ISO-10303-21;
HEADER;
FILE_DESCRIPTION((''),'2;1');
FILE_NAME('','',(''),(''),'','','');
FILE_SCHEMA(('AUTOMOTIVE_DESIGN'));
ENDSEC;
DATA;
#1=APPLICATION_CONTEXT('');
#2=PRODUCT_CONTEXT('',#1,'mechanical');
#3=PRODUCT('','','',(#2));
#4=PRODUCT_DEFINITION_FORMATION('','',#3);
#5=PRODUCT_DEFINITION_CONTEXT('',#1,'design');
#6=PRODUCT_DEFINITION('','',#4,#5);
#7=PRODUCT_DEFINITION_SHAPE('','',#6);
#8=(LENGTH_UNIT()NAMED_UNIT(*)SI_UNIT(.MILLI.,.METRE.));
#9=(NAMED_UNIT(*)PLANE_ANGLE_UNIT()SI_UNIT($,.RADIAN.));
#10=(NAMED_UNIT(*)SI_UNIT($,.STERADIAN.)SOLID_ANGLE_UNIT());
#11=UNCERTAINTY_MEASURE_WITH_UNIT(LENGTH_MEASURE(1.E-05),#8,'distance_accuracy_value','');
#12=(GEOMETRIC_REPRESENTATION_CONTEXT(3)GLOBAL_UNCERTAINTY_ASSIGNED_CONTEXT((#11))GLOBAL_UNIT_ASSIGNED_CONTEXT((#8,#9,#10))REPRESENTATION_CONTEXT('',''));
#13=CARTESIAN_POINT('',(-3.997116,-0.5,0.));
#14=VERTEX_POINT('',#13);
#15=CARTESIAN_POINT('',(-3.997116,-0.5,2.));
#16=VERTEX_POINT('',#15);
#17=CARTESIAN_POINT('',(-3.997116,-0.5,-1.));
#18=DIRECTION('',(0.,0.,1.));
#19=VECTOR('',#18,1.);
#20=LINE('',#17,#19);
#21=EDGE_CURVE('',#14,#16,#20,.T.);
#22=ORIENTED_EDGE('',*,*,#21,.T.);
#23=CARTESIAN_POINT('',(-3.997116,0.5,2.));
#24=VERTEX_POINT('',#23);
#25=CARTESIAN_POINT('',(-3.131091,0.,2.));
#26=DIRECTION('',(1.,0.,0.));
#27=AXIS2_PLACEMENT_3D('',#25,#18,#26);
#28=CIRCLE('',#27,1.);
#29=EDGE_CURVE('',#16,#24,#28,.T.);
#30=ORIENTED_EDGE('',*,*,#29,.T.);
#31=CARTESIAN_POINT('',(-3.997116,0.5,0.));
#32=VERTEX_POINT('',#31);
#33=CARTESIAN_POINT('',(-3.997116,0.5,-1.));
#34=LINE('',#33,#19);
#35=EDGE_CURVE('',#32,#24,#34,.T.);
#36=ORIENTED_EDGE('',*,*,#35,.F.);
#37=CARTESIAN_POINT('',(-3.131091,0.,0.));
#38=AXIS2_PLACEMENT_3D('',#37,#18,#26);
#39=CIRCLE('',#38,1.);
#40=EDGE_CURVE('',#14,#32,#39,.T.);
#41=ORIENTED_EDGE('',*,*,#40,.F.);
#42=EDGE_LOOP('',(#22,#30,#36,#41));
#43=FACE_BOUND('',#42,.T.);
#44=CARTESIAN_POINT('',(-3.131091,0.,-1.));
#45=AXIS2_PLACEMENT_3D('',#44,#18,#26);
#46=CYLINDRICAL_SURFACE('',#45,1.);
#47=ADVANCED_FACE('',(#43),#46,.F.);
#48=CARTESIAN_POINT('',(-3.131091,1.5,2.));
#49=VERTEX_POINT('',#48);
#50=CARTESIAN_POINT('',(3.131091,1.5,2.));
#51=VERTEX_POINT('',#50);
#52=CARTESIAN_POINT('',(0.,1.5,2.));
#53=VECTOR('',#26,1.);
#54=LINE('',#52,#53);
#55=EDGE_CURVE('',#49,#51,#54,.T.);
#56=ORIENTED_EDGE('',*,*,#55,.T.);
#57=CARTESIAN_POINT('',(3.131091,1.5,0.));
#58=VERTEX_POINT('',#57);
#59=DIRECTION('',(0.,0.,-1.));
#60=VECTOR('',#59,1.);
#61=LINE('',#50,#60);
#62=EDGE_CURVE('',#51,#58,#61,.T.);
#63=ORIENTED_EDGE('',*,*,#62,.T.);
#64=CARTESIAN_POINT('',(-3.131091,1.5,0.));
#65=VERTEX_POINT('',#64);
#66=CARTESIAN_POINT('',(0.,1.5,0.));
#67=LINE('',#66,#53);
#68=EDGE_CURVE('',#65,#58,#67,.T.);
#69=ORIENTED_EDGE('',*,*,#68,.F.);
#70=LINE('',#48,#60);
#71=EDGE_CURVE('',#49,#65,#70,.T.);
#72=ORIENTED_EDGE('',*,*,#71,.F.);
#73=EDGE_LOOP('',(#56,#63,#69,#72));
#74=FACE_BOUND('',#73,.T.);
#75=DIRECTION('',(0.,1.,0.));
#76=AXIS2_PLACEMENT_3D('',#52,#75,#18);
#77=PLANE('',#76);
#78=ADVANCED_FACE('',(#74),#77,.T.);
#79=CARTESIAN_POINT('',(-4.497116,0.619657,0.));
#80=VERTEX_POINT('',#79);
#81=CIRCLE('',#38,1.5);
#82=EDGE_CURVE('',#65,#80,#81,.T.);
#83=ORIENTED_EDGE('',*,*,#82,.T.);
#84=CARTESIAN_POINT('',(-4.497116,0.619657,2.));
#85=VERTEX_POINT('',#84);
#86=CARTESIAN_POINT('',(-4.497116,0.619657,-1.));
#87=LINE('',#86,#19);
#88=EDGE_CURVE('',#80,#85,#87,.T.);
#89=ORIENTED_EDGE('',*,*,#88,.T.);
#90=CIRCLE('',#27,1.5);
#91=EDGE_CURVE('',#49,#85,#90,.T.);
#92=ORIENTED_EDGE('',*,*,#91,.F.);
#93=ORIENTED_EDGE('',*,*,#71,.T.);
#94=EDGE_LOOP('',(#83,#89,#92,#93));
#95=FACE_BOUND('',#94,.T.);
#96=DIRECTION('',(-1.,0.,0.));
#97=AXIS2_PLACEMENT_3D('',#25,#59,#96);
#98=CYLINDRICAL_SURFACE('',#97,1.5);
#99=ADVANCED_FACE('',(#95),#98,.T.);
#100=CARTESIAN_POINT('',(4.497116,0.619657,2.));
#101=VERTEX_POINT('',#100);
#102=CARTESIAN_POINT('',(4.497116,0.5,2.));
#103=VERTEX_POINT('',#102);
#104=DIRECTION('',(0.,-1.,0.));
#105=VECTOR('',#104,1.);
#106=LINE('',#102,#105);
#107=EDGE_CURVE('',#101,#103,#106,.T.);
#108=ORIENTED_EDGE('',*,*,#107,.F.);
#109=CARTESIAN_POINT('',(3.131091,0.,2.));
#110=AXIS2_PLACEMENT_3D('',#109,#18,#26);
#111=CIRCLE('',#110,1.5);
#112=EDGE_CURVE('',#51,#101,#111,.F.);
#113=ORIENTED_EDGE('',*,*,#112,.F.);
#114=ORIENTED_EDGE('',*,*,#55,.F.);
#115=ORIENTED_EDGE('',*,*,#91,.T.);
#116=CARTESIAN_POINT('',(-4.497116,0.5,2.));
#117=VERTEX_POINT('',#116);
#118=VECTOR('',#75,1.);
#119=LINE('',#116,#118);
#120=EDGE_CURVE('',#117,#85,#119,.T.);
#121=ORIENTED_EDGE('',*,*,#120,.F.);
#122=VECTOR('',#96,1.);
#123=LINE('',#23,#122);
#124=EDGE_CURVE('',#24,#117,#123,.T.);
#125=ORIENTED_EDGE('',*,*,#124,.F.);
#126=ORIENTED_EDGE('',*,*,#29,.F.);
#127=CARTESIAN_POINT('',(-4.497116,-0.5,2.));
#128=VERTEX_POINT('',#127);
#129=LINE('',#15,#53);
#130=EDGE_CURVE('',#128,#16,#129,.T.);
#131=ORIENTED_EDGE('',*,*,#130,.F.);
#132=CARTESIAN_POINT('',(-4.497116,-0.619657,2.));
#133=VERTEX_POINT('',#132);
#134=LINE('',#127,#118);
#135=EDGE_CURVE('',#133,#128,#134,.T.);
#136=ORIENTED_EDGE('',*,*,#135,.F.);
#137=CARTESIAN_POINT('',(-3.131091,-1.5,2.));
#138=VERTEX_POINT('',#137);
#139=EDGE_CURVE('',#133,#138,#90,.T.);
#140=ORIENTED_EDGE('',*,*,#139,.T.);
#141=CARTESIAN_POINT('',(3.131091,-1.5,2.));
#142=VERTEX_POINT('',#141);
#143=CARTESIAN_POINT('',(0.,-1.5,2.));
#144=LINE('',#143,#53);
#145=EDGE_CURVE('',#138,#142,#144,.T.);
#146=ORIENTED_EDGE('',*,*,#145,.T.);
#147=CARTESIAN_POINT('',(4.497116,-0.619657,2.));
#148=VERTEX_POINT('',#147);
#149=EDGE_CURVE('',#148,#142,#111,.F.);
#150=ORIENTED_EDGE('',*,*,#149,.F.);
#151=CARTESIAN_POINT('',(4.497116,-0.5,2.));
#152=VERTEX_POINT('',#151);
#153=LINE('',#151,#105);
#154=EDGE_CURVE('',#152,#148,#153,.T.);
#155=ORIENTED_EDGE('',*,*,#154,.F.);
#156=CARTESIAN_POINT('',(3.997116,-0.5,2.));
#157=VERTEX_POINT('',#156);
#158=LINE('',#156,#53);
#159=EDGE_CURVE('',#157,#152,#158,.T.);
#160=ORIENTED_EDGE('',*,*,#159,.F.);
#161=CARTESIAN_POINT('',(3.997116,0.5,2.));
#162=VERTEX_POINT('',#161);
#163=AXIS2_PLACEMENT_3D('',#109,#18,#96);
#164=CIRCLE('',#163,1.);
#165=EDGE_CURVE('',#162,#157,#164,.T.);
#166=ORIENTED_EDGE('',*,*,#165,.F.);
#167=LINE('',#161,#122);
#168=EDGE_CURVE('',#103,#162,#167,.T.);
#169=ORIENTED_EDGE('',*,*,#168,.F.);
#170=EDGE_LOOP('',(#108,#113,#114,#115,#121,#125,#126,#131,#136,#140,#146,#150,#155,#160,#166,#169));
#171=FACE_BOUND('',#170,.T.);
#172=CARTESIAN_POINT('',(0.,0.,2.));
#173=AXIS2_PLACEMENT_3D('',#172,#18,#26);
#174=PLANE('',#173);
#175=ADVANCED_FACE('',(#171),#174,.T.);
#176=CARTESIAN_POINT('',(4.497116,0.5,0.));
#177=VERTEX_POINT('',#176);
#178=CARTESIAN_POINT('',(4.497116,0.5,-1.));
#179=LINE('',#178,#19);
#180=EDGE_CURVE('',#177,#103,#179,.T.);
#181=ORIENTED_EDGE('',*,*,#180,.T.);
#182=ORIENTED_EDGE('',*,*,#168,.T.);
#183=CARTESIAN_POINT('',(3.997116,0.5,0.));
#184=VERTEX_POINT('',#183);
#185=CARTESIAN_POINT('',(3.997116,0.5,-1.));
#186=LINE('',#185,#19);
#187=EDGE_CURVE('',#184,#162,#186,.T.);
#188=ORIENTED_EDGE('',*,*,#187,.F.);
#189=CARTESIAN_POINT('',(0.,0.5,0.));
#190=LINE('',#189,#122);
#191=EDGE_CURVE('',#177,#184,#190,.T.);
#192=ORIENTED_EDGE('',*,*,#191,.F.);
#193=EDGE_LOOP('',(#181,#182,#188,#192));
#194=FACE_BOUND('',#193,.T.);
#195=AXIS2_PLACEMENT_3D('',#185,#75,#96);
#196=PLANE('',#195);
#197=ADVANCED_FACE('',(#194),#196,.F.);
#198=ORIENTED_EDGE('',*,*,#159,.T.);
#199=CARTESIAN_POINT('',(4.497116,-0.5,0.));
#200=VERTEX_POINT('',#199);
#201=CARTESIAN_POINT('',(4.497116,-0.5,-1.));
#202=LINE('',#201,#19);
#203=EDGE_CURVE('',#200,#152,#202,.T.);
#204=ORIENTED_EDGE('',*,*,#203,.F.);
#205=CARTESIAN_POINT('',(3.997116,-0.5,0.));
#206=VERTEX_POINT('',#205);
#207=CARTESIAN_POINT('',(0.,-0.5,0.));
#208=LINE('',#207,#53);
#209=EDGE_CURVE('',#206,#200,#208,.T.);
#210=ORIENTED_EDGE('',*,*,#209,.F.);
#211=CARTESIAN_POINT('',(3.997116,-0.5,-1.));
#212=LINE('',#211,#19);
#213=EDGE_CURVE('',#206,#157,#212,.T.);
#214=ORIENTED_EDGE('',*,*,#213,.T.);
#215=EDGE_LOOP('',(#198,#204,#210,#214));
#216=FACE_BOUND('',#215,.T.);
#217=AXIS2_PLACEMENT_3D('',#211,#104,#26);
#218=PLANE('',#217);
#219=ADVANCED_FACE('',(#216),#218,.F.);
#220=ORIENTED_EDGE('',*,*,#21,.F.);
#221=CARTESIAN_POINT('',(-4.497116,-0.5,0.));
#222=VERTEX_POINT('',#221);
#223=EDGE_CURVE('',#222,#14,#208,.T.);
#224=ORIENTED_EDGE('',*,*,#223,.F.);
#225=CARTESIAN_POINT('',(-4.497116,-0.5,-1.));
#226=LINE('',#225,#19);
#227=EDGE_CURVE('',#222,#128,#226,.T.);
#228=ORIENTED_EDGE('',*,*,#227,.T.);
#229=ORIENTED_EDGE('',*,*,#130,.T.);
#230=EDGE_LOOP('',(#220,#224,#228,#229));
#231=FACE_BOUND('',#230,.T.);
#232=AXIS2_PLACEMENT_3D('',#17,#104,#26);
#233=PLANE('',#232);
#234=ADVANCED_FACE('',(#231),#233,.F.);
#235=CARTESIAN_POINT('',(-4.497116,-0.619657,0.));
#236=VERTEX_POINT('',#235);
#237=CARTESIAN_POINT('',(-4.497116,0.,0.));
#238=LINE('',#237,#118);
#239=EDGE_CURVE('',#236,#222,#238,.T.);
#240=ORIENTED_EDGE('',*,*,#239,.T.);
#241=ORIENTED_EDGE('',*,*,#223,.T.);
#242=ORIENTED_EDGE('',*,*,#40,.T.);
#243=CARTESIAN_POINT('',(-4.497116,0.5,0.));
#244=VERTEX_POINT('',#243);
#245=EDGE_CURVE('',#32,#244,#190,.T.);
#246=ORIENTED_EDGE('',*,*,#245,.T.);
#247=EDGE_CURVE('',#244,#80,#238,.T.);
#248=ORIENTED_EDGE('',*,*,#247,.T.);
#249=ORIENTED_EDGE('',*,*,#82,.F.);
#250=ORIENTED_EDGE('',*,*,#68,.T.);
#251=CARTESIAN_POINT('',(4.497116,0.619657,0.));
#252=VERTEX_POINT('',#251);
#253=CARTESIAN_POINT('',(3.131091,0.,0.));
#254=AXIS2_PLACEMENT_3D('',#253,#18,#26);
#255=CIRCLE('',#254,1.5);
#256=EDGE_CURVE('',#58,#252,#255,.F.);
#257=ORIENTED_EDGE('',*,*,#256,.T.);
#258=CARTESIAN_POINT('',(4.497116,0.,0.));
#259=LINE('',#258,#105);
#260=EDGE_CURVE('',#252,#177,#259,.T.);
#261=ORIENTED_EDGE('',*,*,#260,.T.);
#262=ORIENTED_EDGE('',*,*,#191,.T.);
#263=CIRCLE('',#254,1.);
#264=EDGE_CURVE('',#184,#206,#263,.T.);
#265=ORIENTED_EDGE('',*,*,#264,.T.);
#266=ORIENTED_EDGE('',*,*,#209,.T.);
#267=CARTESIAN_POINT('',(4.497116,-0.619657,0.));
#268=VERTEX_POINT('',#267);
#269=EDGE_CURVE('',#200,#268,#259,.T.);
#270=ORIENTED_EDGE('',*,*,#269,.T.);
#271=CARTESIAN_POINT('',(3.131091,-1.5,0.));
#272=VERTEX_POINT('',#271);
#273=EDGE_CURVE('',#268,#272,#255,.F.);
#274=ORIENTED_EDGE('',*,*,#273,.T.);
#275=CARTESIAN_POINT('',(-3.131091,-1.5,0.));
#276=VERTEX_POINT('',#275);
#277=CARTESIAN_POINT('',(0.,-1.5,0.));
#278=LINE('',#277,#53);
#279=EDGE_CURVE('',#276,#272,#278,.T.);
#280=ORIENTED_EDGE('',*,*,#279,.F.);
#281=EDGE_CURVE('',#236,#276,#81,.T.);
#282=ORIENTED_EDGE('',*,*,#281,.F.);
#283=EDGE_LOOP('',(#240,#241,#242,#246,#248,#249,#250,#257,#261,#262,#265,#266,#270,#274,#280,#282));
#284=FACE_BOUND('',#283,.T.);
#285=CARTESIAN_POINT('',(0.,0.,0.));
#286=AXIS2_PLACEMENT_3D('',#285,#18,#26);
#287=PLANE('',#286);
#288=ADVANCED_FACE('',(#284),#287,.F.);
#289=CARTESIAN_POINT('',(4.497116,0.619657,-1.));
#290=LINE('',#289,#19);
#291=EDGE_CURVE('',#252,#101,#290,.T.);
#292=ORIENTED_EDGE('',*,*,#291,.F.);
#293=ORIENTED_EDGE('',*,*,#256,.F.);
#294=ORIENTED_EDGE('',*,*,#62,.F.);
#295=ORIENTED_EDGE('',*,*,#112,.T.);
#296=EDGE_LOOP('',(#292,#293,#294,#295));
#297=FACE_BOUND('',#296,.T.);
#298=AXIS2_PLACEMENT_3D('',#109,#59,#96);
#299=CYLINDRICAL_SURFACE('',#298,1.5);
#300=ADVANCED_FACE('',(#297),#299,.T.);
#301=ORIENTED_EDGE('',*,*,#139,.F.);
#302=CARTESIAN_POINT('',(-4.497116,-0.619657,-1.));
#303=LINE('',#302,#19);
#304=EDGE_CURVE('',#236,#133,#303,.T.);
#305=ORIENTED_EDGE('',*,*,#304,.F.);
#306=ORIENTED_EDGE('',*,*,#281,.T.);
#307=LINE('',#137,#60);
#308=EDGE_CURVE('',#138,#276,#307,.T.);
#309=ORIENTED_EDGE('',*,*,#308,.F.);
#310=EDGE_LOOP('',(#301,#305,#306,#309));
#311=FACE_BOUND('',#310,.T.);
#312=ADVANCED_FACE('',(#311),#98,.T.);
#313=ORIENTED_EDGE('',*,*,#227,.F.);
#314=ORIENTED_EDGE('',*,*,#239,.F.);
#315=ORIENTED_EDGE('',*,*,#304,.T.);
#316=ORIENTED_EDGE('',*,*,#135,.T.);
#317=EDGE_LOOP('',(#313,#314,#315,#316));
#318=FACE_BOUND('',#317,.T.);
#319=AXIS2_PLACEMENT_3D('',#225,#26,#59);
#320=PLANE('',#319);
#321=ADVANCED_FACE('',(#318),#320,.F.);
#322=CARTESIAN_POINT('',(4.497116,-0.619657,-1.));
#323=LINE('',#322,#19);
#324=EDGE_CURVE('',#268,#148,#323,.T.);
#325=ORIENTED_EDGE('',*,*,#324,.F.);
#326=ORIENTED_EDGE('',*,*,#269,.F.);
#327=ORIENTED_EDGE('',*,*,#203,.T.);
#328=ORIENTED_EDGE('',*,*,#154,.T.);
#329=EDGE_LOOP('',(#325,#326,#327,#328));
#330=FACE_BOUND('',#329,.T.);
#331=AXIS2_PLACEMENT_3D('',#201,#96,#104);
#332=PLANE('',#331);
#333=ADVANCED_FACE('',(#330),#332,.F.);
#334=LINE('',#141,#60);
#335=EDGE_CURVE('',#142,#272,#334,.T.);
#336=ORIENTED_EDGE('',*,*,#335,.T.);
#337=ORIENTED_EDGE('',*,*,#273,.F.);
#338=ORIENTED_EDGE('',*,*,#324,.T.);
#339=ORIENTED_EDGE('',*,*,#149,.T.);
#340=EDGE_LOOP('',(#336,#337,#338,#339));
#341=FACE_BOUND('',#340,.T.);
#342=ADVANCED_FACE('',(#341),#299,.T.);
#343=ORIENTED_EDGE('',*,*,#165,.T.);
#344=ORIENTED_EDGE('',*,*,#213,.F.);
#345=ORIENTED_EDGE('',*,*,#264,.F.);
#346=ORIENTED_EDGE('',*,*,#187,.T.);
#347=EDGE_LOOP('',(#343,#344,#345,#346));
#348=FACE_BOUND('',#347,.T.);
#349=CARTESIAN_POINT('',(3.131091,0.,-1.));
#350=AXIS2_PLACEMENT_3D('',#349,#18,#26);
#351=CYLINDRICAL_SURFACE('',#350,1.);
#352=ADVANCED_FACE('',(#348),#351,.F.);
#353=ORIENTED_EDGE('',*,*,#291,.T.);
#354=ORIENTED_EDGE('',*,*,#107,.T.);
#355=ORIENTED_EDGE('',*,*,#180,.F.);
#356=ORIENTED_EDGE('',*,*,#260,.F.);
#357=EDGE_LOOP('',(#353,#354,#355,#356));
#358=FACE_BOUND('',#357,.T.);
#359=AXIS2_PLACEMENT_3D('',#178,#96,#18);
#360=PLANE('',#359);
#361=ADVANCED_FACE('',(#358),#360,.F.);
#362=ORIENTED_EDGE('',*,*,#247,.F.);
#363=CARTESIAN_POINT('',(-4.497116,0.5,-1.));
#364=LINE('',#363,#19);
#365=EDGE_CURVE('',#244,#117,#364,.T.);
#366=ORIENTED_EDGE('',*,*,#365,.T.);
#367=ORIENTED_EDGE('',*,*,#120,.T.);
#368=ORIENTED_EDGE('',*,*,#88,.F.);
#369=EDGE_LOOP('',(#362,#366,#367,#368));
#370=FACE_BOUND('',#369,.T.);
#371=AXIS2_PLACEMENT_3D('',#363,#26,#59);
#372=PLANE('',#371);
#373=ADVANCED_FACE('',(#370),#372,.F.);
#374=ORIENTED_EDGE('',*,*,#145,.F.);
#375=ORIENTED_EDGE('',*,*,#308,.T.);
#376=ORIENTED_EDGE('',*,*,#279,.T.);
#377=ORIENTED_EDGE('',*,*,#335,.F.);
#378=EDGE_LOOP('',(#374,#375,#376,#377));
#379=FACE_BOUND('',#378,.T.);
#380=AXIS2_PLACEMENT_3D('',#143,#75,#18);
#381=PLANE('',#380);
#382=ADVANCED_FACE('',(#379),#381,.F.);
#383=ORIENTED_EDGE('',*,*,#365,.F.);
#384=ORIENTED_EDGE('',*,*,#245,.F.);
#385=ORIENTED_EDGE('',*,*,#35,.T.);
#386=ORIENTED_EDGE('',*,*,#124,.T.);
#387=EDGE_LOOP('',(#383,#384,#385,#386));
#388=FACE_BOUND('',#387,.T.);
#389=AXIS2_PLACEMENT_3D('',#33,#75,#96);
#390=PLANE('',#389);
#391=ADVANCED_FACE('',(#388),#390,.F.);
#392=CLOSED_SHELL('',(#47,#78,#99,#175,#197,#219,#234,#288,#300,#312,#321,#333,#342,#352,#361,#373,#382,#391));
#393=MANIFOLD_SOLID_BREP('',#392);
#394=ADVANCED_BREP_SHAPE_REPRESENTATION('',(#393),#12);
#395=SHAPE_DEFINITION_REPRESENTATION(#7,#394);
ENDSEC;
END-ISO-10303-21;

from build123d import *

# Parameters (mm, degrees)
SKETCH_1_R          = 1.5
EXTRUDE_1_DEPTH     = 2
CUT_EXTRUDE_1_DEPTH = 3


with BuildPart() as part:
    # 草图1 → 凸台-拉伸1 (new body)
    with BuildSketch(Plane.XY):
        with Locations((-3.13109105, 0)):
            Circle(SKETCH_1_R)
        with BuildLine():
            Line((3.13109105, 1.5), (-3.13109105, 1.5))
            ThreePointArc((-3.13109105, 1.5), (-2.070430878, 1.060660172), (-1.63109105, 0))
            ThreePointArc((-1.63109105, 0), (-2.070430878, -1.060660172), (-3.13109105, -1.5))
            Line((-3.13109105, -1.5), (3.13109105, -1.5))
            ThreePointArc((3.13109105, -1.5), (1.63109105, 0), (3.13109105, 1.5))
        make_face()
        with Locations((3.13109105, 0)):
            Circle(SKETCH_1_R)
    extrude(amount=EXTRUDE_1_DEPTH)

    # 草图2 → 切除-拉伸1 (cut)
    with BuildSketch(Plane.XY.offset(2)):
        with BuildLine():
            Line((-3.997116454, -0.5), (-4.497116454, -0.5))
            Line((-4.497116454, -0.5), (-4.497116454, -0.619656837))
            ThreePointArc((-4.497116454, -0.619656837), (-4.63109105, 0), (-4.497116454, 0.619656837))
            Line((-4.497116454, 0.619656837), (-4.497116454, 0.5))
            Line((-4.497116454, 0.5), (-3.997116454, 0.5))
            ThreePointArc((-3.997116454, 0.5), (-2.13109105, 0), (-3.997116454, -0.5))
        make_face()
        with BuildLine():
            Line((3.997116454, 0.5), (4.497116454, 0.5))
            Line((4.497116454, 0.5), (4.497116454, 0.619656837))
            ThreePointArc((4.497116454, 0.619656837), (4.63109105, 0), (4.497116454, -0.619656837))
            Line((4.497116454, -0.619656837), (4.497116454, -0.5))
            Line((4.497116454, -0.5), (3.997116454, -0.5))
            ThreePointArc((3.997116454, -0.5), (2.13109105, 0), (3.997116454, 0.5))
        make_face()
    extrude(amount=-CUT_EXTRUDE_1_DEPTH, mode=Mode.SUBTRACT)


solid = part.part
